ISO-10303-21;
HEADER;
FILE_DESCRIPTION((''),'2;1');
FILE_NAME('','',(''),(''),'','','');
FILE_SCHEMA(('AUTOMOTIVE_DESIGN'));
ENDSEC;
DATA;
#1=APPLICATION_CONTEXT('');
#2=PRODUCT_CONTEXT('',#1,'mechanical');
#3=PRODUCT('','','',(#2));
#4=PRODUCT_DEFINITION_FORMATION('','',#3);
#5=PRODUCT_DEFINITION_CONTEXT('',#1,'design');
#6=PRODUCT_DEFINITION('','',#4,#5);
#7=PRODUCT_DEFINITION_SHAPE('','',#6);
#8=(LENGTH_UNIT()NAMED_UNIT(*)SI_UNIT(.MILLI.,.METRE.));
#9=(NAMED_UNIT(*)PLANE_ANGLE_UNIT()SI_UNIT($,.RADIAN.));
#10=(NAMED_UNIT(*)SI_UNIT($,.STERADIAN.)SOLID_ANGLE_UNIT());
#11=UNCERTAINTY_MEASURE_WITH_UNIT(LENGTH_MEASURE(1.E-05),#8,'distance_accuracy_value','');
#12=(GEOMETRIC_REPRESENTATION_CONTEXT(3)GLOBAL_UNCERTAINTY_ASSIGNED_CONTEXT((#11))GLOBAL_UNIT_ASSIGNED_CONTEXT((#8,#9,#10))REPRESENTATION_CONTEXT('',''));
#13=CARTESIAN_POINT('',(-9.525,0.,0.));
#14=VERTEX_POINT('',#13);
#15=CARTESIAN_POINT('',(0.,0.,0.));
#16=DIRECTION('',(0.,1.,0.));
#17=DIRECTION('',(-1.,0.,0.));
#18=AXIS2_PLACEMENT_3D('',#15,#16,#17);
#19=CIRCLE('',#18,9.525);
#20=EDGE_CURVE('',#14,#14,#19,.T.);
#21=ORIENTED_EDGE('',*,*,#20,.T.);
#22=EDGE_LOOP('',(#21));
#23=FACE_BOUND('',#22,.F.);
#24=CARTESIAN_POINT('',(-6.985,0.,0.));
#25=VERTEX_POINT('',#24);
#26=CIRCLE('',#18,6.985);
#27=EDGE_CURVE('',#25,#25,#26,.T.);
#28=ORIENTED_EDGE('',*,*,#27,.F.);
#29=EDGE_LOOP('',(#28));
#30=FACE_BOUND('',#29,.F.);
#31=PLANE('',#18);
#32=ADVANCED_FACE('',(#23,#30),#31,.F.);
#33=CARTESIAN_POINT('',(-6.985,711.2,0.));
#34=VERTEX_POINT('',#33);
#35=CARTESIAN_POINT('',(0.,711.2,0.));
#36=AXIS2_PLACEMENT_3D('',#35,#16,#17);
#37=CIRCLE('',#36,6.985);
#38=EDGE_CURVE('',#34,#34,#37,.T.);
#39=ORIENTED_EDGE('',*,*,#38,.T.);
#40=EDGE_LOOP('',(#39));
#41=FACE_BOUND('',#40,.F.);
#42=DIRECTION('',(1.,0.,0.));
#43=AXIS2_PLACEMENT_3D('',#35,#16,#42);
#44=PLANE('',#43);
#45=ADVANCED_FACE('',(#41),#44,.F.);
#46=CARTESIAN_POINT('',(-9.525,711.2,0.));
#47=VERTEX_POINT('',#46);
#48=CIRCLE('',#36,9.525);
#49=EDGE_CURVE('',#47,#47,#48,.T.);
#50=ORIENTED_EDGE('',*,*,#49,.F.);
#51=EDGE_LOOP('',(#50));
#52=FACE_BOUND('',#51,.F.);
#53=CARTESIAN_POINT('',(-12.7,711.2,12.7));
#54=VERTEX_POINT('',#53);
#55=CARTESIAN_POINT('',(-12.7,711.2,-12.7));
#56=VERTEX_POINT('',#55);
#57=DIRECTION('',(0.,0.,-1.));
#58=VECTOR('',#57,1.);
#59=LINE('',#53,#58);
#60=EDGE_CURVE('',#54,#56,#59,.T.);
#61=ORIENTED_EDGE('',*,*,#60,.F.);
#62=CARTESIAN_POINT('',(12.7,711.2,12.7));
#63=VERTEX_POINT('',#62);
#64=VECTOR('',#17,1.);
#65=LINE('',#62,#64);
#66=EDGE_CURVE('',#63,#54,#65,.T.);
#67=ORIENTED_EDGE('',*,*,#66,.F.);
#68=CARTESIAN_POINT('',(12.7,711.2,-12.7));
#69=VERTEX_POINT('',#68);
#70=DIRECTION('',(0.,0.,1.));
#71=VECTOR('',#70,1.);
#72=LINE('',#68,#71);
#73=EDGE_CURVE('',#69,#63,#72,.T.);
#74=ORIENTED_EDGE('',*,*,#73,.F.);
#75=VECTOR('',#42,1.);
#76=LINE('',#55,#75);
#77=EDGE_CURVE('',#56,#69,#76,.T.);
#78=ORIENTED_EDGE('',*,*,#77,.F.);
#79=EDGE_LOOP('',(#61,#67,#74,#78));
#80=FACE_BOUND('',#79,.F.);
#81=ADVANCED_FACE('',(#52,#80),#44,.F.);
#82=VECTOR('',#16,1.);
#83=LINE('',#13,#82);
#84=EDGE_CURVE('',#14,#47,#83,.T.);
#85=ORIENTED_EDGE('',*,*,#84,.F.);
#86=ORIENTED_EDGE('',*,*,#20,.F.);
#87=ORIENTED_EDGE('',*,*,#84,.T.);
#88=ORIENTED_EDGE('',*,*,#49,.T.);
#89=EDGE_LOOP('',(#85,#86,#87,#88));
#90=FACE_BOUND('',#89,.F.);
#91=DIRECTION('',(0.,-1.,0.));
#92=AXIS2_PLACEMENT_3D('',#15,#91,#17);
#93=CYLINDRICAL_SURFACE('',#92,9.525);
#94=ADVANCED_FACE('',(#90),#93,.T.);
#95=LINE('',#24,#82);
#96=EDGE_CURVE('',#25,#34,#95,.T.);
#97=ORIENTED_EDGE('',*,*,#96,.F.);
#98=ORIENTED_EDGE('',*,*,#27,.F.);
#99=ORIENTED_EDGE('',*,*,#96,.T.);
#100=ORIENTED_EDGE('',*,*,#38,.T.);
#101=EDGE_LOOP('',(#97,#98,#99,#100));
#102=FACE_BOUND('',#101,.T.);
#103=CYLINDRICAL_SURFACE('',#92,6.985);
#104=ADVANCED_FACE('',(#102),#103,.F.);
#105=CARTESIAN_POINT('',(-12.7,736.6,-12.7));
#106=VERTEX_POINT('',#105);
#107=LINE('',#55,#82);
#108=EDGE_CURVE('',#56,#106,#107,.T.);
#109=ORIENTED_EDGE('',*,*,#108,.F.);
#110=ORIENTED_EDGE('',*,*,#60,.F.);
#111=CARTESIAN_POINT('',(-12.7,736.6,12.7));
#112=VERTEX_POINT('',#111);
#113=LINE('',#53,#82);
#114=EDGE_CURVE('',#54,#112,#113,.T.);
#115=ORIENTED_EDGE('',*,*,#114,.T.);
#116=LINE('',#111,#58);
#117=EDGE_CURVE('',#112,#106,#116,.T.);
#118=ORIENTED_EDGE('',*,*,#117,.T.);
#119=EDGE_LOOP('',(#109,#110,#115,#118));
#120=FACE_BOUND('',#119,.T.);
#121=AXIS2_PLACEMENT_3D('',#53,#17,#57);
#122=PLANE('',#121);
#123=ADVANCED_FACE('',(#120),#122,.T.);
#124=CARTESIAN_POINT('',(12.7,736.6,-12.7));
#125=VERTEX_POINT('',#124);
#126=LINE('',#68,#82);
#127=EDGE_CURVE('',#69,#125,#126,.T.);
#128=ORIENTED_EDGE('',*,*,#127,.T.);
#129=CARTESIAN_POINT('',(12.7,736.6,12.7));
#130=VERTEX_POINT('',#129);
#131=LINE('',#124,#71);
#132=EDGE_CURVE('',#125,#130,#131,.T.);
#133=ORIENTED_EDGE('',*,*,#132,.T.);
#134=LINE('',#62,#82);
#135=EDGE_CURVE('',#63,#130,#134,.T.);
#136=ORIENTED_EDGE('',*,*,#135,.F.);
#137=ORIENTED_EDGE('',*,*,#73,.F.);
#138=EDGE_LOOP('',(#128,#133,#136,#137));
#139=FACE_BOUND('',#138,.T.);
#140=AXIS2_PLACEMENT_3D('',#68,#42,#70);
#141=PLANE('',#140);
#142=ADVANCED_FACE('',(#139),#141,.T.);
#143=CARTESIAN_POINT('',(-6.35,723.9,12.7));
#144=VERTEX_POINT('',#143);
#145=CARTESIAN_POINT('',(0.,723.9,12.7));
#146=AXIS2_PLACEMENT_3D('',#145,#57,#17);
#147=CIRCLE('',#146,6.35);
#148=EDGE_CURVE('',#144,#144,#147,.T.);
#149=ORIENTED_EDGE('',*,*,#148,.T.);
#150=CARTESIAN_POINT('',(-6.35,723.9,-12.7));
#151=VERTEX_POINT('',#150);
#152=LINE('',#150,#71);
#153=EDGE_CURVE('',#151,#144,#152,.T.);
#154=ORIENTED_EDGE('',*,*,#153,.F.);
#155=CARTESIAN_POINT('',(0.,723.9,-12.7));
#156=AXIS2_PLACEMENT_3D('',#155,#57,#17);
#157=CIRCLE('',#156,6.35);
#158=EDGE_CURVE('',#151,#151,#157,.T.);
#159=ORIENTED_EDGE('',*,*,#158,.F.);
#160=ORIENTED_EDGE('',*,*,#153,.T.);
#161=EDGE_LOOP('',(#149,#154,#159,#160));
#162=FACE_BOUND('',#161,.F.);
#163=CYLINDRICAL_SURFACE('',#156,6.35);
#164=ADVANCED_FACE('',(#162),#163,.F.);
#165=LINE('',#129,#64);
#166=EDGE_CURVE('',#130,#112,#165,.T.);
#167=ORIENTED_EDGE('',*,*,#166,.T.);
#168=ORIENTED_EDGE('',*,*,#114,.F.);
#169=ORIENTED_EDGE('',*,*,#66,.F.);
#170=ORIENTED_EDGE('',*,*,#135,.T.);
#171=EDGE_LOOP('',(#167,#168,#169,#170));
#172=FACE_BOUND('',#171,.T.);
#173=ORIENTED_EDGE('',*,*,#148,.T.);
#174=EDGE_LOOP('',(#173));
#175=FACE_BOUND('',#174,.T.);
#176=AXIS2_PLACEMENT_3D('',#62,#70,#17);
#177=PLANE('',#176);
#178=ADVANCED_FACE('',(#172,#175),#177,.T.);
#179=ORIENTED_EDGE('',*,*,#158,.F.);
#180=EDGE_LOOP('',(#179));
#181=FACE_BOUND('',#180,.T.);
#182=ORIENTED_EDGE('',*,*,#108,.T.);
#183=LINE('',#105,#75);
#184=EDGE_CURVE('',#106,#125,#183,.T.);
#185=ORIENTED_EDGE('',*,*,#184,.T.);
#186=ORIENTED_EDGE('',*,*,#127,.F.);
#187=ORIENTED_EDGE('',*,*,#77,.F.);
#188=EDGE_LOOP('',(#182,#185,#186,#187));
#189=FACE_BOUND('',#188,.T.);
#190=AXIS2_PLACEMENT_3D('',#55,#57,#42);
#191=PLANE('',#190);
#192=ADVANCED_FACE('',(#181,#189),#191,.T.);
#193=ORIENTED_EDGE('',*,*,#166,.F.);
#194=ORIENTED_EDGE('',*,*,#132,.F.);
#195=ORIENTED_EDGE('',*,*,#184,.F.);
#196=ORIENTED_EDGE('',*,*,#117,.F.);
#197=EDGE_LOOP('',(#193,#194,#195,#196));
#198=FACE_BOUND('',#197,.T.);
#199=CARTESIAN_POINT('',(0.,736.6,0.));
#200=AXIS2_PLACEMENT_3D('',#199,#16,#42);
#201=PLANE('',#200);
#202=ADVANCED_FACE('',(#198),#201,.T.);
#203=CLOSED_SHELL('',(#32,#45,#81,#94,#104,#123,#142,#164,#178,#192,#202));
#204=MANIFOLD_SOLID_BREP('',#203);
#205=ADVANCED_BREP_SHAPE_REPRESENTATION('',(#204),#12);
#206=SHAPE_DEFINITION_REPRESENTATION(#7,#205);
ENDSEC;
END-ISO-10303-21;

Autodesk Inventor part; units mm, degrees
ref_plane "YZ Plane" through (0, 0, 0) normal (1, 0, 0) x (0, 1, 0)
ref_plane "XZ Plane" through (0, 0, 0) normal (0, 1, 0) x (-1, 0, 0)
ref_plane "XY Plane" through (0, 0, 0) normal (0, 0, 1) x (1, 0, 0)
sketch "Sketch1" plane through (0, 0, 0) normal (0, 1, 0) x (-1, 0, 0)
  circle A0 centre (0, 0) radius 9.525
  circle A1 centre (0, 0) radius 6.985
  dimension "d0" = 19.05
  dimension "d1" = 2.54
  dimension "d2" = 13.97
extrude "Extrusion1" add sketch "Sketch1" along normal blind 711.2
sketch "Sketch3" plane through (0, 711.2, 0) normal (0, 1, 0) x (1, 0, 0)
  line L0 (12.7, -12.7) -> (-12.7, -12.7)
  line L1 (-12.7, -12.7) -> (-12.7, 12.7)
  line L2 (-12.7, 12.7) -> (12.7, 12.7)
  line L3 (12.7, 12.7) -> (12.7, -12.7)
  point P0 (0, 0)
  point P1 (0, 0)
  dimension "d7" = 25.4
  dimension "d8" = 25.4
extrude "Extrusion2" add sketch "Sketch3" along normal blind 25.4
sketch "Sketch4" plane through (12.7, 711.2, -12.7) normal (0, 0, -1) x (-1, 0, 0)
  line L0 (25.4, 0) -> (25.4, 25.4) projected
  line L1 (0, 0) -> (0, 25.4) projected
  circle A0 centre (12.7, 12.7) radius 6.35
  point P0 (12.7, -711.2)
  dimension "d11" = 12.7
extrude "Extrusion3" cut sketch "Sketch4" against normal blind 42.8625
properties part number "OuterLever"
